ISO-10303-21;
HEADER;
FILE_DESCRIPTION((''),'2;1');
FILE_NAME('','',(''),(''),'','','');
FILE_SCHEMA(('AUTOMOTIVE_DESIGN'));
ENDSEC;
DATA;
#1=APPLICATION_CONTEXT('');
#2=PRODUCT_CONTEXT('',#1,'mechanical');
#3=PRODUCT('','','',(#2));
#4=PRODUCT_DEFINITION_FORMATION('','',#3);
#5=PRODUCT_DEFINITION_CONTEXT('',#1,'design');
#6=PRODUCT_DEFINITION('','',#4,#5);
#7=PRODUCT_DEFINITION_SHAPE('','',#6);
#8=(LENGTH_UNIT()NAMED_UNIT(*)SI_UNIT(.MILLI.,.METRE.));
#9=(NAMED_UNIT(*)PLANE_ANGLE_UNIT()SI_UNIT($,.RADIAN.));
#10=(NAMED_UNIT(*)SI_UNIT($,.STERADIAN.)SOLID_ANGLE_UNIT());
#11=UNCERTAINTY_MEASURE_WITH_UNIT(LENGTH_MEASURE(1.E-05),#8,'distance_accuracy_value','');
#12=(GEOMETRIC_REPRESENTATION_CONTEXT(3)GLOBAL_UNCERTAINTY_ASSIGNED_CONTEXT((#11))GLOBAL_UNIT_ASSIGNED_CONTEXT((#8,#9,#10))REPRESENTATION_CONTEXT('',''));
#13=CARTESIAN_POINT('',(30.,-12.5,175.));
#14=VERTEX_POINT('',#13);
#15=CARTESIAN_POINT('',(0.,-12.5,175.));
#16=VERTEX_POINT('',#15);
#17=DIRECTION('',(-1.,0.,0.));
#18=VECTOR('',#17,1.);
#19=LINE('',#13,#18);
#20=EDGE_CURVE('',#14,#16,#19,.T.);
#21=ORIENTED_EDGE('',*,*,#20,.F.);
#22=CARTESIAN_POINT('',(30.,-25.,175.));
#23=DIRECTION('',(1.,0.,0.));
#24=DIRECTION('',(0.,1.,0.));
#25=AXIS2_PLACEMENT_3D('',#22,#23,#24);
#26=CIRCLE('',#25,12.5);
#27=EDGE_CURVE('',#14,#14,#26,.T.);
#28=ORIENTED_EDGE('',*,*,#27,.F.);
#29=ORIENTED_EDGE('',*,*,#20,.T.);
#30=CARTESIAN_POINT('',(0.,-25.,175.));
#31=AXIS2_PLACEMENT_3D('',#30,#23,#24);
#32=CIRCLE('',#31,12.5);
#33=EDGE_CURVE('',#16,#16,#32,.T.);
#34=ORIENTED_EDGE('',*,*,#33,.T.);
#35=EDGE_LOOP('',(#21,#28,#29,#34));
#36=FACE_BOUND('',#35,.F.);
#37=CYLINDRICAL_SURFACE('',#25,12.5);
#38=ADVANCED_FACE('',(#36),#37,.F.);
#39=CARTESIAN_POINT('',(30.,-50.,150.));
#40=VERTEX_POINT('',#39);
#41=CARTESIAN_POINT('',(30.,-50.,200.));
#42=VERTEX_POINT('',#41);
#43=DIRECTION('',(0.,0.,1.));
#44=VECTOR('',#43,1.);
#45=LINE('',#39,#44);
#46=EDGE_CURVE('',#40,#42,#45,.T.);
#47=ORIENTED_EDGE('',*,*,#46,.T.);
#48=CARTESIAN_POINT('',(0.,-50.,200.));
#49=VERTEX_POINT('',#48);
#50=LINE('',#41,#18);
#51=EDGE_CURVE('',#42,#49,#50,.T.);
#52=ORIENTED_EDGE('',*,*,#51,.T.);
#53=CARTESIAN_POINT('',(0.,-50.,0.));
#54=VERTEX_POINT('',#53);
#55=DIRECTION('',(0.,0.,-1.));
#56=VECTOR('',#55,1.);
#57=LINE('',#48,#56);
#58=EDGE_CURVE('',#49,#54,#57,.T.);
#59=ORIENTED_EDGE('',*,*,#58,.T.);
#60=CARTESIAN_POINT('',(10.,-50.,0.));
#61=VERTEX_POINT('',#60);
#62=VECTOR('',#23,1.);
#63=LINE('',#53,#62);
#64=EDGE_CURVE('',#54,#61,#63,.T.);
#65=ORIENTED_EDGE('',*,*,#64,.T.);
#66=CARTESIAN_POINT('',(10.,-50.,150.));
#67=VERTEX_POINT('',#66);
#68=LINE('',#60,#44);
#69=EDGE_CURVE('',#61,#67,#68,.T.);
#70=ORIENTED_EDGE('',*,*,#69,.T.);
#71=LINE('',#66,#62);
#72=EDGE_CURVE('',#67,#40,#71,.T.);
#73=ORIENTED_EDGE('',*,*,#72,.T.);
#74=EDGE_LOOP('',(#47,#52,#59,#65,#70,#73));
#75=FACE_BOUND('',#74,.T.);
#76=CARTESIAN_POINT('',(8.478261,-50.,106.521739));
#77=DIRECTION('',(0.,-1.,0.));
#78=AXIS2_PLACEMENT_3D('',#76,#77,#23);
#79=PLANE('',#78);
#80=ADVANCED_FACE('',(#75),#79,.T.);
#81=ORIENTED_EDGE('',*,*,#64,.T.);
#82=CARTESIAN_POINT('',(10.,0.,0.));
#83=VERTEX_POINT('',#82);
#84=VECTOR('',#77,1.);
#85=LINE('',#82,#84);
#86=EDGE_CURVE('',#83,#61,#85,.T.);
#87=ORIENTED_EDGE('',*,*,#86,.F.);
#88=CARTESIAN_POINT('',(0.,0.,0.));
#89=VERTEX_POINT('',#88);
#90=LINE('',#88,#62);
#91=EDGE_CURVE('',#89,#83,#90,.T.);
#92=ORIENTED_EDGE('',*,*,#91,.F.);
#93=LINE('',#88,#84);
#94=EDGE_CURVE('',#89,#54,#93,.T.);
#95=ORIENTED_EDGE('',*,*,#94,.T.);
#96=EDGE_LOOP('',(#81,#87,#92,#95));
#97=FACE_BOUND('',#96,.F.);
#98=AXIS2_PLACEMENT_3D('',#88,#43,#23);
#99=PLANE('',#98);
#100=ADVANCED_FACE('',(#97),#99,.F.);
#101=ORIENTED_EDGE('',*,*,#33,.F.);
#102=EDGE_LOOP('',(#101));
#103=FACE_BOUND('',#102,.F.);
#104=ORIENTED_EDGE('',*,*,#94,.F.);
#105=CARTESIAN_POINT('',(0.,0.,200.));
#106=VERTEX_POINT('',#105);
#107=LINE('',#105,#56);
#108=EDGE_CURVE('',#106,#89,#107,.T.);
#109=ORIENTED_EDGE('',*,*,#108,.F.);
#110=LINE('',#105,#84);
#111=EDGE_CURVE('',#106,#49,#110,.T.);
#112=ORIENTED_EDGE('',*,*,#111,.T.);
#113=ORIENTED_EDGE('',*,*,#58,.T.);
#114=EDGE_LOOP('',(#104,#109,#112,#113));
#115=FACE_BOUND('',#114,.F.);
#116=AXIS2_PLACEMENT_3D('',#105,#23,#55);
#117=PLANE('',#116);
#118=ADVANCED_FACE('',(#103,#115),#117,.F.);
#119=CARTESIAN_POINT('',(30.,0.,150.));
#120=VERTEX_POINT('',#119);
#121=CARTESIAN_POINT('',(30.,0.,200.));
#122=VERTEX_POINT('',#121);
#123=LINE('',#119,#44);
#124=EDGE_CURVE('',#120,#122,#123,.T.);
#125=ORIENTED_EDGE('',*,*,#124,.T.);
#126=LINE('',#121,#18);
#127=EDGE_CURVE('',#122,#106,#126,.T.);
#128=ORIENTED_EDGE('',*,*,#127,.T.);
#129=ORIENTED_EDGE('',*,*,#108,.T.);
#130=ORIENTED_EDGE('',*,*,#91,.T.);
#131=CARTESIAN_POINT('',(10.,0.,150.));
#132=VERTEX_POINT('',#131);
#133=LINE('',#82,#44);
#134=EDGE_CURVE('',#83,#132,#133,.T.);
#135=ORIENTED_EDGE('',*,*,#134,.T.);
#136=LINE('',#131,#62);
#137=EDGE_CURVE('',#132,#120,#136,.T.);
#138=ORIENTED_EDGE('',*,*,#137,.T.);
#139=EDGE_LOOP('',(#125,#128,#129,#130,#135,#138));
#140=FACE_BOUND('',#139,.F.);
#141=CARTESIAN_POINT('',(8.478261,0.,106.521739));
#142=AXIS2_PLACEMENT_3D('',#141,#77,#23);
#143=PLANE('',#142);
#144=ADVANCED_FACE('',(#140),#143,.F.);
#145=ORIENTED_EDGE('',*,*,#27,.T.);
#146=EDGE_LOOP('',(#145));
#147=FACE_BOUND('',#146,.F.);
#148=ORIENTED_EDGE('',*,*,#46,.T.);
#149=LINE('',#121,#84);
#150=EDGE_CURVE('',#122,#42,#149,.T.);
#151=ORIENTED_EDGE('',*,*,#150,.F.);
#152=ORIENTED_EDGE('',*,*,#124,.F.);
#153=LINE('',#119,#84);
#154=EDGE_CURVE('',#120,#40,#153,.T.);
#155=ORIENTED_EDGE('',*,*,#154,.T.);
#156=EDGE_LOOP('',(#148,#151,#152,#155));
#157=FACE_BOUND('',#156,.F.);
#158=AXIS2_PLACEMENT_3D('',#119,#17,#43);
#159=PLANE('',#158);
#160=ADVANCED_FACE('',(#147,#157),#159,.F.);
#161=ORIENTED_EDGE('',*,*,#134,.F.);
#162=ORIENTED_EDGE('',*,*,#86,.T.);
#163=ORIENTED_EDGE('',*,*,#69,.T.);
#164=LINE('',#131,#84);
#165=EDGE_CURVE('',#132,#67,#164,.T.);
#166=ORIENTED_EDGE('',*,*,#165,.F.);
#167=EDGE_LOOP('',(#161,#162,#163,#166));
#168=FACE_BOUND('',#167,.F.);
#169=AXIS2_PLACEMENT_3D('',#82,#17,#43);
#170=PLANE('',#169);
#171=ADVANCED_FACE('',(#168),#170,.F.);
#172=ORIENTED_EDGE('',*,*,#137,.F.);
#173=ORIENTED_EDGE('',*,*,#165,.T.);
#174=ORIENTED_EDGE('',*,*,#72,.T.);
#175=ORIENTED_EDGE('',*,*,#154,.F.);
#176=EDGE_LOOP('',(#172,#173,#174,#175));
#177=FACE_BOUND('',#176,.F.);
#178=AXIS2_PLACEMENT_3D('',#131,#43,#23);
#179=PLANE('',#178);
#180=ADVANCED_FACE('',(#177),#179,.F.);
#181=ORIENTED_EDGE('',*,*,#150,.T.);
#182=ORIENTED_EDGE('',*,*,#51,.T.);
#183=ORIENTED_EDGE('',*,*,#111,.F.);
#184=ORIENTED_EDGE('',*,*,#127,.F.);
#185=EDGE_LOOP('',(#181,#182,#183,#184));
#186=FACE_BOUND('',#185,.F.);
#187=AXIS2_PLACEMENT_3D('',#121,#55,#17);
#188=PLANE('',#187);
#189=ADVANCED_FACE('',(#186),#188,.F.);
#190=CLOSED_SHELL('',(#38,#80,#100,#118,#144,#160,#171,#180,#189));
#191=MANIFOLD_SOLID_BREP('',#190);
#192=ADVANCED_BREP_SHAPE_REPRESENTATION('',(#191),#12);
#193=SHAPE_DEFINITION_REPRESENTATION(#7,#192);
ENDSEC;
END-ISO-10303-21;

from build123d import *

# Parameters (mm, degrees)
F1_DEPTH = 50
F2_R     = 12.5
F3_DEPTH = 56


with BuildPart() as f1:
    # F0 (on Front) → F1 (new body)
    with BuildSketch(Plane.XZ):
        Polygon((0, 200), (0, 0), (10, 0), (10, 150), (30, 150), (30, 200), align=None)
    extrude(amount=F1_DEPTH)

    # F2 (on face) → F3 (cut)
    with BuildSketch(Plane.YZ.offset(30)):
        with Locations((-25, 175)):
            Circle(F2_R)
    extrude(amount=-F3_DEPTH, mode=Mode.SUBTRACT)


solid = f1.part
